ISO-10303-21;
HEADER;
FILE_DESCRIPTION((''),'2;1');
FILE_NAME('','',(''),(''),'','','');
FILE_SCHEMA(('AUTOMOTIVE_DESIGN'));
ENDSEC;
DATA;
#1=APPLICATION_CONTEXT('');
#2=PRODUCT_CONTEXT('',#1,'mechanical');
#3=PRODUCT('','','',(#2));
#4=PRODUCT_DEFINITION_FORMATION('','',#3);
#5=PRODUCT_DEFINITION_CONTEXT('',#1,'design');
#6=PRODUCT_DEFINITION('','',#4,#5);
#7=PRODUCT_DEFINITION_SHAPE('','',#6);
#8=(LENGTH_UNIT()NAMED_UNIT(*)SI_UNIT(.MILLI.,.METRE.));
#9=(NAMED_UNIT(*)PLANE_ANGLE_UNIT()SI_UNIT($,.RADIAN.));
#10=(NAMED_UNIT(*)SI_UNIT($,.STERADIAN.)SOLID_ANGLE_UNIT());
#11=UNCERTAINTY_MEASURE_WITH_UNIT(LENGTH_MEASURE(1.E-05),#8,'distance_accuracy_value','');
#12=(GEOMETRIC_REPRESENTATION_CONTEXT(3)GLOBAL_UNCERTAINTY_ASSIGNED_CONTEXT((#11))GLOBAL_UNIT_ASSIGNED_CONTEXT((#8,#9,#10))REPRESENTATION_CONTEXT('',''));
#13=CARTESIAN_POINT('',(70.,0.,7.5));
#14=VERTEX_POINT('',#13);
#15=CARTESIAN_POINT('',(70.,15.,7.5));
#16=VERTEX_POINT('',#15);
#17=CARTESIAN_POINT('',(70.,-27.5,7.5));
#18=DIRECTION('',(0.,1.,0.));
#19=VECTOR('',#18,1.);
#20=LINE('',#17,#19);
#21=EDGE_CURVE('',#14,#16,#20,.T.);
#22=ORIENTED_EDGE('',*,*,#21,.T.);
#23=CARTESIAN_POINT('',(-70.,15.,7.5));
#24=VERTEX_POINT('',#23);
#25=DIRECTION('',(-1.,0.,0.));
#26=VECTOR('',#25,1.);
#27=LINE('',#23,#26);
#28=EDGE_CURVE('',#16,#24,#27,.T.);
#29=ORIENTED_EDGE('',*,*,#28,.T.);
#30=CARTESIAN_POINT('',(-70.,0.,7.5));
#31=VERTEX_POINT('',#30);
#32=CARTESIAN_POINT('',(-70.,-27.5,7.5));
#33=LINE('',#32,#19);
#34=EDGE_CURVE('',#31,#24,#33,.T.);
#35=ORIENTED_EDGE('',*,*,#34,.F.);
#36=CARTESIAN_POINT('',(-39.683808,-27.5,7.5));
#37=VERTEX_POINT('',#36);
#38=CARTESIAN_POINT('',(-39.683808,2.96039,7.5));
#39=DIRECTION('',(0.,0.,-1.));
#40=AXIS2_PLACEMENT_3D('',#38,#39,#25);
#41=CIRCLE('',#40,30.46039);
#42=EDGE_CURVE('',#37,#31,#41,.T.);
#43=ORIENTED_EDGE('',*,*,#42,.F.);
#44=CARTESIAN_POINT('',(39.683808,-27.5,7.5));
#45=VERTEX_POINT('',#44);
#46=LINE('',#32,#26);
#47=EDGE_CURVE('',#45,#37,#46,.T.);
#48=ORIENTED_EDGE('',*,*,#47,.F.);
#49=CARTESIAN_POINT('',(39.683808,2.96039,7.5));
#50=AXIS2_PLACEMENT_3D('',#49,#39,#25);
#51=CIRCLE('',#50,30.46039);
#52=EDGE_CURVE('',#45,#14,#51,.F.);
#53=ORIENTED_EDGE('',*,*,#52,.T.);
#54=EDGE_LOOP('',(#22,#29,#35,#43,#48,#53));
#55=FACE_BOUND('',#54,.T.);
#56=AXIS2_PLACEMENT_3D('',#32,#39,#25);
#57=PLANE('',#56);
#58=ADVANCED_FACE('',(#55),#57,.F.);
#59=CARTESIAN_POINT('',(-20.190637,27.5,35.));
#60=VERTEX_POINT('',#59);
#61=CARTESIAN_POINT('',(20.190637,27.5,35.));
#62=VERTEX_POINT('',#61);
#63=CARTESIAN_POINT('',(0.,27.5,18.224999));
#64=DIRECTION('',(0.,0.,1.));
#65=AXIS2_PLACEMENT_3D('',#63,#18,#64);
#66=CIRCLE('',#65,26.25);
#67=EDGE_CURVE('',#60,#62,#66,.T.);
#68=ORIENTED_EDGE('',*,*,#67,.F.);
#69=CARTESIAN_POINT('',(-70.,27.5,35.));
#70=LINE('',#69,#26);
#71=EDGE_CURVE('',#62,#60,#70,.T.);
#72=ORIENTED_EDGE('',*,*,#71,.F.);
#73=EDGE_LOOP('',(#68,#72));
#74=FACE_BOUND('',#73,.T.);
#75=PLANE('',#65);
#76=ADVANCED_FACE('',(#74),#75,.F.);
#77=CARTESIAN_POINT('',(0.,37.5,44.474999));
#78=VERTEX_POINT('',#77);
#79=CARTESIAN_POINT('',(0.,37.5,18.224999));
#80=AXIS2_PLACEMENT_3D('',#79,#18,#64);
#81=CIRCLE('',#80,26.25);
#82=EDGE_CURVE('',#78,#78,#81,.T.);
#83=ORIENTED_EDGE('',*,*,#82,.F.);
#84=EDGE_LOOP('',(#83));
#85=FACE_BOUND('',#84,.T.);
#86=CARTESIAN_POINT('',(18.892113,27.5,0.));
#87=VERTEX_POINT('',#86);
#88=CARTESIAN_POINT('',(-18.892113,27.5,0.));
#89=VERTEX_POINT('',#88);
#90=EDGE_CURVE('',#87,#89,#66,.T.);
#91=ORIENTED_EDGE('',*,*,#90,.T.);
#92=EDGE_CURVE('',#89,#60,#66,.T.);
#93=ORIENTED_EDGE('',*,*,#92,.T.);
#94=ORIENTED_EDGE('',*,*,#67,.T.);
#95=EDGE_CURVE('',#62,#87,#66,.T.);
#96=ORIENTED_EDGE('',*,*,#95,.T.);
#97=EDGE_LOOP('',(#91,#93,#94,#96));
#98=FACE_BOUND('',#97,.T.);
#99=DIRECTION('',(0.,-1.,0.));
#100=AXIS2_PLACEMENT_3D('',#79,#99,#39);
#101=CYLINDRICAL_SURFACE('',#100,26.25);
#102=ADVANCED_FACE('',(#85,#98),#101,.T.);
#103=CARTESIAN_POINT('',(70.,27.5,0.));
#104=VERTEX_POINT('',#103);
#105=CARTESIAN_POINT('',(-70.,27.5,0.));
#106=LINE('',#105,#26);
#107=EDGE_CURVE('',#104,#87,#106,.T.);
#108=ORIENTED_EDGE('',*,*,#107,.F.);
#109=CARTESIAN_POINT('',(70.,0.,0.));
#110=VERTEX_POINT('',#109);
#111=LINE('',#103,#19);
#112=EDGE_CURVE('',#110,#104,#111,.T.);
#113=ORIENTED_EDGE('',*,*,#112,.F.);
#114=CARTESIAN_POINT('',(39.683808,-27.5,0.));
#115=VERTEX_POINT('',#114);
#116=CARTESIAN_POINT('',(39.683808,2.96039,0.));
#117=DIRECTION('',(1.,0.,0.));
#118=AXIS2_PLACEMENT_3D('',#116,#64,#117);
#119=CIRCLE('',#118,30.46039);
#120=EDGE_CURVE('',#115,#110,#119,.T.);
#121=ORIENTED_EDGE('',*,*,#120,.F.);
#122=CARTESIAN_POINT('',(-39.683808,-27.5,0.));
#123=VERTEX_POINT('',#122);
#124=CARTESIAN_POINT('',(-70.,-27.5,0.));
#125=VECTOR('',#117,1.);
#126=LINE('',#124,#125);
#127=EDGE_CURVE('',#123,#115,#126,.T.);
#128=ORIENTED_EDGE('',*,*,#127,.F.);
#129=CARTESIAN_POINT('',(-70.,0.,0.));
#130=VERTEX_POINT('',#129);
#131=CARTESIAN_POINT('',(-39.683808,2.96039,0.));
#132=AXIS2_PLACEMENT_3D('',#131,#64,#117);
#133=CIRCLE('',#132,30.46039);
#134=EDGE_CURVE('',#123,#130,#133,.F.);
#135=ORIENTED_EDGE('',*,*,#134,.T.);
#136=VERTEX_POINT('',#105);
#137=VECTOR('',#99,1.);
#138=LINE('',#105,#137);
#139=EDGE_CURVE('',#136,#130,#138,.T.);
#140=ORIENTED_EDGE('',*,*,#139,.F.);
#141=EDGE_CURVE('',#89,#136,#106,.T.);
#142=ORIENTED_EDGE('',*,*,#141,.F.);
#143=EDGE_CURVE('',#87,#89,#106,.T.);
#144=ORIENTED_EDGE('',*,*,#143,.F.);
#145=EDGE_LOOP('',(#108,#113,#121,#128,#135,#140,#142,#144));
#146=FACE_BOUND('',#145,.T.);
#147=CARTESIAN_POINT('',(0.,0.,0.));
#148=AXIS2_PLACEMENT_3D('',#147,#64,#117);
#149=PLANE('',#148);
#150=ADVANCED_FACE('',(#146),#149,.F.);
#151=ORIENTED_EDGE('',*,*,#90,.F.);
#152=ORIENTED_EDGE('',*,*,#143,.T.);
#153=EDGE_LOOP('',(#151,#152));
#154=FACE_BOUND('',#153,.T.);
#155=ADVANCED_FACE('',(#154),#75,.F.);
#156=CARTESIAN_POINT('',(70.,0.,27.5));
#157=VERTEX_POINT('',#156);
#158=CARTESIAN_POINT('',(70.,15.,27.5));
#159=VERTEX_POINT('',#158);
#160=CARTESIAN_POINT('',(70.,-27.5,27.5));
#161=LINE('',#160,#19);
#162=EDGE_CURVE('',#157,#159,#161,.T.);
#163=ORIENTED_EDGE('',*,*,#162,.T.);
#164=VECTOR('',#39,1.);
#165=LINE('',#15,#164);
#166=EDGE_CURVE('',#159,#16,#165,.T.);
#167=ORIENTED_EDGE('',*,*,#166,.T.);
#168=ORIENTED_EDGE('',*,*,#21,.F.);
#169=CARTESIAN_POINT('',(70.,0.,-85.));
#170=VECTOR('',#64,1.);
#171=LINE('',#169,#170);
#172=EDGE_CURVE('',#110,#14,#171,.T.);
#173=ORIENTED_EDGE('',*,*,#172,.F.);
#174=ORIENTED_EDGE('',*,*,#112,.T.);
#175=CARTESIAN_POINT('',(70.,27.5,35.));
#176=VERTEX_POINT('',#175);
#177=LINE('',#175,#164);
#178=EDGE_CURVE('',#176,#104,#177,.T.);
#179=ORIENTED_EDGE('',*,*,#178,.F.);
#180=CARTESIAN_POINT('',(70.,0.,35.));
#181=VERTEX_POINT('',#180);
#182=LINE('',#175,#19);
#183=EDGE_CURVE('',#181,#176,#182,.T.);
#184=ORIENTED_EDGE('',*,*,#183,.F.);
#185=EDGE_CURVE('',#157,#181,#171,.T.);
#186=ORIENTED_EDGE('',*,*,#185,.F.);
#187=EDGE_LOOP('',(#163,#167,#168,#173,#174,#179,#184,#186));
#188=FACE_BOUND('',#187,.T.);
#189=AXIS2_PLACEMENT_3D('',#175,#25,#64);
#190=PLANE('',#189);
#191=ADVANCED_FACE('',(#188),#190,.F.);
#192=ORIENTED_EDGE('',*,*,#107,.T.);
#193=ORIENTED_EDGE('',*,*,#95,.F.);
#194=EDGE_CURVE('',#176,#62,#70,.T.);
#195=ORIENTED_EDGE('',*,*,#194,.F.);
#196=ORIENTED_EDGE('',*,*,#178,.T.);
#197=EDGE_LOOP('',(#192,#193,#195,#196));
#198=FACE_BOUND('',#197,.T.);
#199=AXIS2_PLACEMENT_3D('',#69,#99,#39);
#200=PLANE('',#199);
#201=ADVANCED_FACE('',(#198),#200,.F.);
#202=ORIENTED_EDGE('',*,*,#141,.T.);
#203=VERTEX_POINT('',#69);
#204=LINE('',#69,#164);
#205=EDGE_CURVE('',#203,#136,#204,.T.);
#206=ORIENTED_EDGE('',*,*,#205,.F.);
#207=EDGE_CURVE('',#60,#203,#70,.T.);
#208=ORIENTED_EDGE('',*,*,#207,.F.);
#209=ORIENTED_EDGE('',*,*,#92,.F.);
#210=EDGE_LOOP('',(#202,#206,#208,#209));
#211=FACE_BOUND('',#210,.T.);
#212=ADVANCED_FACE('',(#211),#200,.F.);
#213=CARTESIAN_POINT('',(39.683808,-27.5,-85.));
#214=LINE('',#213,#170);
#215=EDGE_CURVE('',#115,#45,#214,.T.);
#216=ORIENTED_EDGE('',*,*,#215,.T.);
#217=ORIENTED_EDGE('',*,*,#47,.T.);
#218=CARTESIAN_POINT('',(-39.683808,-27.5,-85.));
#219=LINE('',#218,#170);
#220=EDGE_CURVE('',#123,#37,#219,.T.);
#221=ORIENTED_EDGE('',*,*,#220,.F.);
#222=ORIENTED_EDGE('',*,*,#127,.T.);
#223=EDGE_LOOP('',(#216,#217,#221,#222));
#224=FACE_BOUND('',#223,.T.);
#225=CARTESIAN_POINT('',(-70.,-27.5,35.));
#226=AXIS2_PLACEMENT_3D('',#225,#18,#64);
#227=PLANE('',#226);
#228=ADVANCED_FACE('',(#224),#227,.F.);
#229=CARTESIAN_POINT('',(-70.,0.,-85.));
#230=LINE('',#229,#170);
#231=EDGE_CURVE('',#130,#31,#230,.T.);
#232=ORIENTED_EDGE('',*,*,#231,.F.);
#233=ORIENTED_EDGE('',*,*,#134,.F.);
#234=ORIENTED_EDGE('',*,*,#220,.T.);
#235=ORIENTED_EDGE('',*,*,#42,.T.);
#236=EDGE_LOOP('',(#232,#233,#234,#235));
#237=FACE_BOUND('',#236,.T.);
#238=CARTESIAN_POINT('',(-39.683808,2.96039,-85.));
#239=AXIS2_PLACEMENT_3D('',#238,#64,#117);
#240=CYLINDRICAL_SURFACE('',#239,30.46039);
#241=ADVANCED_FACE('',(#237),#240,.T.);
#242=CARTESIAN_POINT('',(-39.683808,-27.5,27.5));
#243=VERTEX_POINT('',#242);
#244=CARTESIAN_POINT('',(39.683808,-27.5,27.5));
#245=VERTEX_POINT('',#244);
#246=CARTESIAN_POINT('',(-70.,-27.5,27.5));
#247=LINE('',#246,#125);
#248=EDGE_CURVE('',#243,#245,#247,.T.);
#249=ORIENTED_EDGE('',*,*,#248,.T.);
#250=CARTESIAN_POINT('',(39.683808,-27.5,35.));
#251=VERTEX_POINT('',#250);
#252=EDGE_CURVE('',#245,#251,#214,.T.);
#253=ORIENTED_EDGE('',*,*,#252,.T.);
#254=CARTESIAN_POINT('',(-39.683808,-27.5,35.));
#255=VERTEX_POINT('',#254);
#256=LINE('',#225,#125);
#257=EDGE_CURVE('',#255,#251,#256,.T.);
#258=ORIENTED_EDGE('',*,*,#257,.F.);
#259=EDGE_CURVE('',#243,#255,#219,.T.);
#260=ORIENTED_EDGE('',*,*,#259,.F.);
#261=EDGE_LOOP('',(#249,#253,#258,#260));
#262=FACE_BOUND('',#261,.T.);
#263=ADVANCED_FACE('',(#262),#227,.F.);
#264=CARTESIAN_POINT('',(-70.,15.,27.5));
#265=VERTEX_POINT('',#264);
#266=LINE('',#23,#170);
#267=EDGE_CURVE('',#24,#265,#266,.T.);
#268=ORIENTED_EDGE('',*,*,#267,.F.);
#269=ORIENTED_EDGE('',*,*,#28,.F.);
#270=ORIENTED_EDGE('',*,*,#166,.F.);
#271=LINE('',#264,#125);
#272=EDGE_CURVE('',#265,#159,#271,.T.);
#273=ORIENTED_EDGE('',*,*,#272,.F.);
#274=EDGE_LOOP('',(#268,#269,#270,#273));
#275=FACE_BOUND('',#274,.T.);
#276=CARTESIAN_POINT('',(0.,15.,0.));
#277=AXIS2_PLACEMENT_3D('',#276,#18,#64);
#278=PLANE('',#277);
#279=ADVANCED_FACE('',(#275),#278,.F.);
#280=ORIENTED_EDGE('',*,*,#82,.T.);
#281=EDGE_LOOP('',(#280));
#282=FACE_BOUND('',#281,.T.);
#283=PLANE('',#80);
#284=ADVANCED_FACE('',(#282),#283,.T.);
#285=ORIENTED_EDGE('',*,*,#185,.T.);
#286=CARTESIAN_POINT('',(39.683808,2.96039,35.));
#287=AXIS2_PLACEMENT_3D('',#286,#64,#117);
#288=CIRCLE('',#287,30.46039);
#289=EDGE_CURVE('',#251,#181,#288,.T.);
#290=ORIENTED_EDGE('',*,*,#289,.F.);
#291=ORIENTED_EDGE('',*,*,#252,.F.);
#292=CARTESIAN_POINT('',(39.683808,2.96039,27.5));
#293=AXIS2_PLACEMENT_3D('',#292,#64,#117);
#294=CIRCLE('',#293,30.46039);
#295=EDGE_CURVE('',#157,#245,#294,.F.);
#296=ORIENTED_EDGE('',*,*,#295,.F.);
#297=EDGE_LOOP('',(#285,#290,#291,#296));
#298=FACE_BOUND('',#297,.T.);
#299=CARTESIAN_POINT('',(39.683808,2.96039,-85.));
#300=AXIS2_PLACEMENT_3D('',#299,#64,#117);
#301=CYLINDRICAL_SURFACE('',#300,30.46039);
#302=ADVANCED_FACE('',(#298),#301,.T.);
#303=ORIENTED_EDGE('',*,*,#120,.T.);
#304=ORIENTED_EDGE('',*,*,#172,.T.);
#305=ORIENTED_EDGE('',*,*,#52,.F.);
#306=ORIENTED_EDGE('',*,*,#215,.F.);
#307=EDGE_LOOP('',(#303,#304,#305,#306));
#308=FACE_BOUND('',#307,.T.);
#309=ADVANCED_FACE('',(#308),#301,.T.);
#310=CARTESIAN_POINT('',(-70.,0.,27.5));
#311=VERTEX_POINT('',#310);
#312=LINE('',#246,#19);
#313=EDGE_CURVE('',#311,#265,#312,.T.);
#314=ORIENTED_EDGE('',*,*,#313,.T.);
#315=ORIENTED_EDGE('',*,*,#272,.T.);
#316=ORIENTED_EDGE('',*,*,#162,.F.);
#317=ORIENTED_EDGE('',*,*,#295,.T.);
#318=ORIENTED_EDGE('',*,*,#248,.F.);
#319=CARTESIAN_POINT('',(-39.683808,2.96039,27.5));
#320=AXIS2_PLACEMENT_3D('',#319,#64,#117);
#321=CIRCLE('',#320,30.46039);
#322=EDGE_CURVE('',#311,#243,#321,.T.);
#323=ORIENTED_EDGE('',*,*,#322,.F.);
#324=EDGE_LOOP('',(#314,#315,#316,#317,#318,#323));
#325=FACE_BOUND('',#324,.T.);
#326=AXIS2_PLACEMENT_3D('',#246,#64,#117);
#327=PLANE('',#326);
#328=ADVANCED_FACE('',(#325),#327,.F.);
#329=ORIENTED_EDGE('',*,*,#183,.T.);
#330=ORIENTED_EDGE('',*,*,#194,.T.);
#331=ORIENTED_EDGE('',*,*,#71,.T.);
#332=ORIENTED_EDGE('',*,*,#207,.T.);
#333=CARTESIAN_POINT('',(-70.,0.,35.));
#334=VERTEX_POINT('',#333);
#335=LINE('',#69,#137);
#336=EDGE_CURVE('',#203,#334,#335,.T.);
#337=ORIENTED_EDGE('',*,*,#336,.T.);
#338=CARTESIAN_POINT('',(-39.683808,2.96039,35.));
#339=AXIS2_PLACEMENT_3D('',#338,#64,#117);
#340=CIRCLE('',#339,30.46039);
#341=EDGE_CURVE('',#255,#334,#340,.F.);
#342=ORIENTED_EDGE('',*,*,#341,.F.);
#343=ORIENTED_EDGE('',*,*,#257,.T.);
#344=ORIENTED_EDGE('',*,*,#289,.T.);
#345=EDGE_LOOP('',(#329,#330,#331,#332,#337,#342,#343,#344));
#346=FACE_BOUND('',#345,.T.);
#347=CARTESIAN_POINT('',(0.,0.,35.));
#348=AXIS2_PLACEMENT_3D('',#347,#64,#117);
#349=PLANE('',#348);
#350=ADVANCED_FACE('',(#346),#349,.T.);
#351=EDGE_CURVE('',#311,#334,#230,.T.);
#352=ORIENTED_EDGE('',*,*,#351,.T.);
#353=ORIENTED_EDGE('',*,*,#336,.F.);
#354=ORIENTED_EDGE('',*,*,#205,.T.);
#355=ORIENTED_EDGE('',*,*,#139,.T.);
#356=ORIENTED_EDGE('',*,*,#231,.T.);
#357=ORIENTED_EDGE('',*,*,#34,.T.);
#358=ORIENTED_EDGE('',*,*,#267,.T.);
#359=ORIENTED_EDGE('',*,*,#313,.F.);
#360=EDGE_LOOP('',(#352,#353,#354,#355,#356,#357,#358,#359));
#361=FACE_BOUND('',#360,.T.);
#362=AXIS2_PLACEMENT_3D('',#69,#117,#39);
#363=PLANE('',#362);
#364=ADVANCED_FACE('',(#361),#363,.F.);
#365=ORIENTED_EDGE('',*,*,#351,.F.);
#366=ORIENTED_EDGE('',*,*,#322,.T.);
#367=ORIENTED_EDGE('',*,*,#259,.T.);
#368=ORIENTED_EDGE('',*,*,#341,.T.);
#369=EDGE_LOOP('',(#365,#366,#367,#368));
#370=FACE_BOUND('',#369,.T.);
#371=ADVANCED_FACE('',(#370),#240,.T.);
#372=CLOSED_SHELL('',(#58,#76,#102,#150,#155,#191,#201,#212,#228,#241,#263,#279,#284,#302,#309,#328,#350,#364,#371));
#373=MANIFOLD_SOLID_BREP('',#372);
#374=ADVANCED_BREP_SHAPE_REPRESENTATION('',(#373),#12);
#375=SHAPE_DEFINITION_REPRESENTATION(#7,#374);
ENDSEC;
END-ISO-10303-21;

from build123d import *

# Parameters (mm, degrees)
SKETCH1_W           = 140
SKETCH1_H           = 55
BOSS_EXTRUDE1_DEPTH = 35
CUT_EXTRUDE1_DEPTH  = 120
SKETCH4_R           = 26.25
BOSS_EXTRUDE2_DEPTH = 10
SKETCH5_W           = 140
SKETCH5_H           = 20
CUT_EXTRUDE2_DEPTH  = 94.189460294


with BuildPart() as part:
    # Sketch1 → Boss-Extrude1 (new body)
    with BuildSketch(Plane.XY):
        Rectangle(SKETCH1_W, SKETCH1_H)
    extrude(amount=BOSS_EXTRUDE1_DEPTH)

    # Sketch2 → Cut-Extrude1 (cut)
    with BuildSketch(Plane.XY.offset(35)):
        with BuildLine():
            ThreePointArc((70, 0), (60.149153929, -19.600749097), (39.683808374, -27.5))
            Line((39.683808374, -27.5), (70, -27.5))
            Line((70, -27.5), (70, 0))
        make_face()
        with BuildLine():
            Line((-70, -27.5), (-39.683808374, -27.5))
            ThreePointArc((-39.683808374, -27.5), (-60.149153929, -19.600749097), (-70, 0))
            Line((-70, 0), (-70, -27.5))
        make_face()
    extrude(amount=-CUT_EXTRUDE1_DEPTH, mode=Mode.SUBTRACT)

    # Sketch4 → Boss-Extrude2 (add)
    with BuildSketch(Plane(origin=(0, 27.5, 0), x_dir=(1, 0, 0), z_dir=(0, 1, 0))):
        with Locations(Location((0, -18.224998705, 0), (0, 0, 43.97032124))):
            Circle(SKETCH4_R)
    extrude(amount=BOSS_EXTRUDE2_DEPTH)

    # Sketch5 → Cut-Extrude2 (cut, through all)
    with BuildSketch(Plane(origin=(0, 15, 0), x_dir=(1, 0, 0), z_dir=(0, 1, 0))):
        with Locations((0, -17.5)):
            Rectangle(SKETCH5_W, SKETCH5_H)
    extrude(amount=-CUT_EXTRUDE2_DEPTH, mode=Mode.SUBTRACT)


solid = part.part
